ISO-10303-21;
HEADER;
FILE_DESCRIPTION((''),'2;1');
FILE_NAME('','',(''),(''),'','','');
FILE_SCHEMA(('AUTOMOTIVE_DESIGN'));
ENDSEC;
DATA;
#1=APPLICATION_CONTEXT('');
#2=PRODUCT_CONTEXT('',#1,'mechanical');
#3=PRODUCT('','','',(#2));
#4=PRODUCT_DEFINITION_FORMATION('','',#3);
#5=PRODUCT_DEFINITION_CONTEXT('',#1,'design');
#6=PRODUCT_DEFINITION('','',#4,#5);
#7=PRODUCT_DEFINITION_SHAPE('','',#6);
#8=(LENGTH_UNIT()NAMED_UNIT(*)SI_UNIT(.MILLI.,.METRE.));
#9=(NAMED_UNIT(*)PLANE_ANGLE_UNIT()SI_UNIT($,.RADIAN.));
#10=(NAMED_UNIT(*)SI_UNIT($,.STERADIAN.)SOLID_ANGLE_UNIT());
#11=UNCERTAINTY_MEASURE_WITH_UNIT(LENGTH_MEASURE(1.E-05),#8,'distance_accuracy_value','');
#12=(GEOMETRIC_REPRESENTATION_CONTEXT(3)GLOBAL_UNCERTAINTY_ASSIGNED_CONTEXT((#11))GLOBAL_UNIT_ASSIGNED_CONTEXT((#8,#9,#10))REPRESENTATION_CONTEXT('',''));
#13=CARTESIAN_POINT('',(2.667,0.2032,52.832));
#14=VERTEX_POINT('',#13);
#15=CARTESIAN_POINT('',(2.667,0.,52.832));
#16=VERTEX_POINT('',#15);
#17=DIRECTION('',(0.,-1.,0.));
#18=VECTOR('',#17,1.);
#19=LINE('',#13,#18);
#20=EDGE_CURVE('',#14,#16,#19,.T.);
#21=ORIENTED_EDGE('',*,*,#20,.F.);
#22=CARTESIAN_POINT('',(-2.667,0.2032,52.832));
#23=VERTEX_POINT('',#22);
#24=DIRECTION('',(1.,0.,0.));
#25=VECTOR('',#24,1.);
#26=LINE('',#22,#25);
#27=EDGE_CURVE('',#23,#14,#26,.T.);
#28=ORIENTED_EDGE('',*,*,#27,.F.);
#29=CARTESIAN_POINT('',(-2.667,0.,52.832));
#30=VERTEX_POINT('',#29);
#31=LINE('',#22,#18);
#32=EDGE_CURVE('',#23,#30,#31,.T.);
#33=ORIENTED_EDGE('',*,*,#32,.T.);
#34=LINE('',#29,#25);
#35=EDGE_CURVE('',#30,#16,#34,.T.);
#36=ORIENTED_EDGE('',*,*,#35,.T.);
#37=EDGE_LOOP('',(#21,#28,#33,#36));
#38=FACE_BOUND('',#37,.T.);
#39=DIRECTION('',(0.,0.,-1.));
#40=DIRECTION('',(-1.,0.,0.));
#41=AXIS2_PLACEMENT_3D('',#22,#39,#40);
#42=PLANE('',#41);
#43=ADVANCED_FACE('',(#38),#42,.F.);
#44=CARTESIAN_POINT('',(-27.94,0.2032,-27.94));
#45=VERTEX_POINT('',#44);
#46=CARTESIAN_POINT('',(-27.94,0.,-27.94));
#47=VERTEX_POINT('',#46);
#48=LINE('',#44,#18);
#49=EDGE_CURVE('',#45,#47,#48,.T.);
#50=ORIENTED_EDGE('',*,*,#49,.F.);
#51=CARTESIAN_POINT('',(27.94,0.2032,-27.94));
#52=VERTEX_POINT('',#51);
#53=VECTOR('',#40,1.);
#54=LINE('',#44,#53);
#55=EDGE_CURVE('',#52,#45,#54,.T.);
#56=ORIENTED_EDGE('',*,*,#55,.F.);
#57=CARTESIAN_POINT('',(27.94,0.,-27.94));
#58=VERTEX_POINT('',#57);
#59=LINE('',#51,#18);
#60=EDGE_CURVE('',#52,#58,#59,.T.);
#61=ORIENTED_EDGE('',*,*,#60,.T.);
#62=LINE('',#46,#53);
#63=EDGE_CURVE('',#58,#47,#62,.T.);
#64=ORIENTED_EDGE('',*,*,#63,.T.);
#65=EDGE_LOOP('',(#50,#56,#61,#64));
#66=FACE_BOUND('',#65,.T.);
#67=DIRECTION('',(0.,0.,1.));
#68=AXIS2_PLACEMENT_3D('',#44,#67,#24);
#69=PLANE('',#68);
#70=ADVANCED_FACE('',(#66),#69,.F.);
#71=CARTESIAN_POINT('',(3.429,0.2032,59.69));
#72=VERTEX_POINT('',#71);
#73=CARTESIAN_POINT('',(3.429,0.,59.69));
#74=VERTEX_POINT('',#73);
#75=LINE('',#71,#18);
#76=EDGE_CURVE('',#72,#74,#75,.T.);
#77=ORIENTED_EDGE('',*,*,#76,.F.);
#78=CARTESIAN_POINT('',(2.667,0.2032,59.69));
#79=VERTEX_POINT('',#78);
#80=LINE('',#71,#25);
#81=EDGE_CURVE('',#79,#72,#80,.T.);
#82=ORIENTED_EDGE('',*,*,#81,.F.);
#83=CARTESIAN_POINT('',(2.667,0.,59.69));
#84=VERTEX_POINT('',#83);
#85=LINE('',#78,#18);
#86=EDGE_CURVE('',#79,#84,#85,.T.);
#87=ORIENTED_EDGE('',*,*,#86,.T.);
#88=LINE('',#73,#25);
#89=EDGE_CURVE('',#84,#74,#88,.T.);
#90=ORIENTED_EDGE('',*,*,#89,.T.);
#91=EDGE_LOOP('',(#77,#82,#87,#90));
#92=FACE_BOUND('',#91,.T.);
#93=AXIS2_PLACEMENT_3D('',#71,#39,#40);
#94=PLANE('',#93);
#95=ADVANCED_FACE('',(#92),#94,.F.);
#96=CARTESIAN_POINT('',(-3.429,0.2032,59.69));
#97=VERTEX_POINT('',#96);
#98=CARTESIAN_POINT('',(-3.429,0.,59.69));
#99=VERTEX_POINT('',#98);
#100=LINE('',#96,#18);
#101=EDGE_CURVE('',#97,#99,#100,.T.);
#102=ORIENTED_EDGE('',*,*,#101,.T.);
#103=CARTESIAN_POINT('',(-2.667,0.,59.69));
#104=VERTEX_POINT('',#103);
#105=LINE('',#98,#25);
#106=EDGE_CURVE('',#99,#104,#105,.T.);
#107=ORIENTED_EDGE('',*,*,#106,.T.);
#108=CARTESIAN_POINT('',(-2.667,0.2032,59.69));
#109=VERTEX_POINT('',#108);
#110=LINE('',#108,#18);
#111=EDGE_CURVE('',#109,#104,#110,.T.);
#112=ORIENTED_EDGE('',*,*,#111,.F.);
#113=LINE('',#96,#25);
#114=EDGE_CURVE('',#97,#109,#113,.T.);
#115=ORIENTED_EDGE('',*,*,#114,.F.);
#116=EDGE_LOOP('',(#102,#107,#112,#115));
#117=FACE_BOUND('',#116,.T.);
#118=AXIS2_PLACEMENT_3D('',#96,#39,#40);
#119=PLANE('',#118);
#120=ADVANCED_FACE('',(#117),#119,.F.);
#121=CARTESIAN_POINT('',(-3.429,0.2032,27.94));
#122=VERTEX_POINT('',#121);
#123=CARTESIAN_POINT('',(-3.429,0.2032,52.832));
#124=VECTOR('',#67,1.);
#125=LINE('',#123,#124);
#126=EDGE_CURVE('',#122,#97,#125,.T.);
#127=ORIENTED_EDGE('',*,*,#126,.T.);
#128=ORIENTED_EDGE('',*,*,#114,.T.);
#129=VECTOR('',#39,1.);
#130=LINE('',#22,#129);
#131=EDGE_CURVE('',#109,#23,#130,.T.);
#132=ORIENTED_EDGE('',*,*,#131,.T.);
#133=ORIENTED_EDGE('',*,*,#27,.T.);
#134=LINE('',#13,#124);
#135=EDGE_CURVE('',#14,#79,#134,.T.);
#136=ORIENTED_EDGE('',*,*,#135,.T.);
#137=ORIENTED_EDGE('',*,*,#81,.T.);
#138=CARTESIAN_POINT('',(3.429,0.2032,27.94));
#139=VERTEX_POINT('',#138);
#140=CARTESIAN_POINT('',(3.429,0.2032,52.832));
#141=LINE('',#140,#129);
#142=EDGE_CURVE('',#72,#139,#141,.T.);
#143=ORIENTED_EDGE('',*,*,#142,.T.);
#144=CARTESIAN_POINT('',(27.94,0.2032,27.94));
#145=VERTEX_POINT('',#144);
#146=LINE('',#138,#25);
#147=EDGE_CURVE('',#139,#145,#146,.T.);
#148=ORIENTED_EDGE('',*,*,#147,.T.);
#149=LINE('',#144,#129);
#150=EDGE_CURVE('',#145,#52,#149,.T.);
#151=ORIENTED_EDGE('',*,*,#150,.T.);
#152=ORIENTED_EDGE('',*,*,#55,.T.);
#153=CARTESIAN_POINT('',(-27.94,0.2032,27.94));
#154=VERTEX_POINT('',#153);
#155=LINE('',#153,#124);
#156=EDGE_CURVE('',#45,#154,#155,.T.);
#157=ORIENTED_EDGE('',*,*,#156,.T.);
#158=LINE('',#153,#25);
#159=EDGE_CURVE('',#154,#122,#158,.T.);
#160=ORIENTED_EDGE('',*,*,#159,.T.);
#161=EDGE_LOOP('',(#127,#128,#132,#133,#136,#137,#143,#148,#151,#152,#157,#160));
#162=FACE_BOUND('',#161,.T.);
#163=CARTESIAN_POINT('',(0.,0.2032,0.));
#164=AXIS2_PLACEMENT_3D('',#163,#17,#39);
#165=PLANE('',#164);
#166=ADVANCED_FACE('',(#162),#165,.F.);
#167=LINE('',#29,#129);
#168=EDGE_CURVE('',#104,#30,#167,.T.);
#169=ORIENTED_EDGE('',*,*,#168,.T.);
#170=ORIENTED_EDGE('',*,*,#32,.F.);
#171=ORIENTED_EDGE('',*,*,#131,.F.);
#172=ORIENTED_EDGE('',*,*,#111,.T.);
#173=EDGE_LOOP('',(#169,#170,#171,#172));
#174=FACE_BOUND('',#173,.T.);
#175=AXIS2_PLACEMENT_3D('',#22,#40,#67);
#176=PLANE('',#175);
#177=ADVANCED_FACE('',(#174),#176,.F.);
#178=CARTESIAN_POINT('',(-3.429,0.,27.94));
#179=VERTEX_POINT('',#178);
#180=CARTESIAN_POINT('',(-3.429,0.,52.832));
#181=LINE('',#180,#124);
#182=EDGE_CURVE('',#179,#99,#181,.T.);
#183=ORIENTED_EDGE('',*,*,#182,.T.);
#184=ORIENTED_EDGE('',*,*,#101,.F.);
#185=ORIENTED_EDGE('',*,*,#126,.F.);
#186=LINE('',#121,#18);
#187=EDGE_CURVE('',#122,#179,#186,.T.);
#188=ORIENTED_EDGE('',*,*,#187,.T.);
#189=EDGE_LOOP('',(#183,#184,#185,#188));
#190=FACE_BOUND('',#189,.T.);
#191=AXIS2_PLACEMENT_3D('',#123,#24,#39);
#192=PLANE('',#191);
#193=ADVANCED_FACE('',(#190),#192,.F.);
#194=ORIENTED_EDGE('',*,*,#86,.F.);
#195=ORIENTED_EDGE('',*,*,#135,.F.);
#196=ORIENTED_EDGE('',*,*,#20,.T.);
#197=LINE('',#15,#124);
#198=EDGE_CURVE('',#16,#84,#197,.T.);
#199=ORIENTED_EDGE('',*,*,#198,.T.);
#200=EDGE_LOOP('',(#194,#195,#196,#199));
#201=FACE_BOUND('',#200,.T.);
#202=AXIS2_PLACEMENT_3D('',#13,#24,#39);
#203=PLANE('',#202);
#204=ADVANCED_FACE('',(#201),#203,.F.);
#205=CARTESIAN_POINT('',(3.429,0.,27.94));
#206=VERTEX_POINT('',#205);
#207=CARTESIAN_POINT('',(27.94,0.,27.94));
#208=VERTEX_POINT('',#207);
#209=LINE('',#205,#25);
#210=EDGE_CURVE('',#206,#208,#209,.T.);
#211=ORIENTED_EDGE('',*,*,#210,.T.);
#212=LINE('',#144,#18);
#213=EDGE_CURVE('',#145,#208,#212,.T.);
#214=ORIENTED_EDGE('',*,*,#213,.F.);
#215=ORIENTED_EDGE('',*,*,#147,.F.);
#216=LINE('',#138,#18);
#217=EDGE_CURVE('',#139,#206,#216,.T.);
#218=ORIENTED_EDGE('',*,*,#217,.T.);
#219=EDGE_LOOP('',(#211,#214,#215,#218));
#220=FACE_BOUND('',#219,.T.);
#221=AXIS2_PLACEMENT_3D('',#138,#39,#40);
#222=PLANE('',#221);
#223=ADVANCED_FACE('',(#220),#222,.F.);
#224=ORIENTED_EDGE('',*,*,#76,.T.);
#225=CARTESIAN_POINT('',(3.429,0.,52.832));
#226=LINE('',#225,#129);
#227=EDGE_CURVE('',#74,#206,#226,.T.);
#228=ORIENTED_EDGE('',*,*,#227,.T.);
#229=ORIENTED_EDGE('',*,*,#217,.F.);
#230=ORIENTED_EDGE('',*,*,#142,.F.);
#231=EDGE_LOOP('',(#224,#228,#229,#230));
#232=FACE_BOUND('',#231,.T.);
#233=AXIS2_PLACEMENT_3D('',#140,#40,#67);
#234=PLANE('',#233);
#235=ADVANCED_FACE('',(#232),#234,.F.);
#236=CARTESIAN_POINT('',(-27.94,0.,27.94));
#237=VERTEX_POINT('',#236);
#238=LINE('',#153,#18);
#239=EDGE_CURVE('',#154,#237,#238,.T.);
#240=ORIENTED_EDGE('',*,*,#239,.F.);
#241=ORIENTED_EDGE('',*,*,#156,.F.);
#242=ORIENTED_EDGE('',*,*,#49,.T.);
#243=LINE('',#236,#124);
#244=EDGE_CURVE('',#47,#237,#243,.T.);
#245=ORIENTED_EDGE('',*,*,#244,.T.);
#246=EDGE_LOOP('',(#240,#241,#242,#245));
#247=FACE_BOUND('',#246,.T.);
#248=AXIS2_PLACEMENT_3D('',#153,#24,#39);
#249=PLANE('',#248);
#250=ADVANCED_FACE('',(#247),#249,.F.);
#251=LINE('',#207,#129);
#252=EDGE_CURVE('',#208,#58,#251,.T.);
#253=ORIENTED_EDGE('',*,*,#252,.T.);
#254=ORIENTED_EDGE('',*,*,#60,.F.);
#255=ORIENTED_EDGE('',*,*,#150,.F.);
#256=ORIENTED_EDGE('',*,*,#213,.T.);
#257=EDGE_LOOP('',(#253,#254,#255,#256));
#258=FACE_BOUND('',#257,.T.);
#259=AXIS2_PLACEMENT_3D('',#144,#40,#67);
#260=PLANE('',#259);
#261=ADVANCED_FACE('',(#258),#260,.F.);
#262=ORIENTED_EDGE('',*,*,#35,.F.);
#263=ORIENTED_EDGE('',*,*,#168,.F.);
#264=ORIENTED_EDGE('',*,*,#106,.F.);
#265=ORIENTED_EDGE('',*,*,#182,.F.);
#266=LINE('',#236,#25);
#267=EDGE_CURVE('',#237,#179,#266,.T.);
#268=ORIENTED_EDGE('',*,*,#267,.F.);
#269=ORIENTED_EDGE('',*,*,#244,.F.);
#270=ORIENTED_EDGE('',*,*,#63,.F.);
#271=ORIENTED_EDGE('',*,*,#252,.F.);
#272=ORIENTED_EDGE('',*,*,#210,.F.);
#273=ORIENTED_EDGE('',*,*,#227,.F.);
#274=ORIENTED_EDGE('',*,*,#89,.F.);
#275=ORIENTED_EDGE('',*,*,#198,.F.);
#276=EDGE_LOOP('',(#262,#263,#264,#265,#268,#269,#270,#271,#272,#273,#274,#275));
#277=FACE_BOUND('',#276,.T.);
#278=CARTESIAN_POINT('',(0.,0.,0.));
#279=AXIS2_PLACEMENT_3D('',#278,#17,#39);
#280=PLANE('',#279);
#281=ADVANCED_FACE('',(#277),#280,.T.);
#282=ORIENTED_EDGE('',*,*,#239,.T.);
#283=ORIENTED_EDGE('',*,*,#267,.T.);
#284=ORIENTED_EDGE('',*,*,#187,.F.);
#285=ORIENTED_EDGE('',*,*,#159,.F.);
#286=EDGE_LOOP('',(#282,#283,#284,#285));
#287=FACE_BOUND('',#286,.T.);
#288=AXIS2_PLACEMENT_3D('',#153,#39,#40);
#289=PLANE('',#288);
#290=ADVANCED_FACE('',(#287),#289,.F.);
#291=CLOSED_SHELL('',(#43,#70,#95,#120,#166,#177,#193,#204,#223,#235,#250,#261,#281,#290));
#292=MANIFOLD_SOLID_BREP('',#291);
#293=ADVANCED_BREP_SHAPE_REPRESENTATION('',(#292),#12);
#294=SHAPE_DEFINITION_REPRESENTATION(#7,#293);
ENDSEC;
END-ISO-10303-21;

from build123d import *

# Parameters (mm, degrees)
BOSS_EXTRUDE1_DEPTH = 0.2032


with BuildPart() as part:
    # Sketch1 → Boss-Extrude1 (new body)
    with BuildSketch(Plane(origin=(0, 0, 0), x_dir=(1, 0, 0), z_dir=(0, 1, 0))):
        Polygon((3.429, -27.94), (27.94, -27.94), (27.94, 27.94), (-27.94, 27.94), (-27.94, -27.94), (-3.429, -27.94), (-3.429, -52.832), (-3.429, -59.69), (-2.667, -59.69), (-2.667, -52.832), (2.667, -52.832), (2.667, -59.69), (3.429, -59.69), (3.429, -52.832), align=None)
    extrude(amount=BOSS_EXTRUDE1_DEPTH)


solid = part.part
